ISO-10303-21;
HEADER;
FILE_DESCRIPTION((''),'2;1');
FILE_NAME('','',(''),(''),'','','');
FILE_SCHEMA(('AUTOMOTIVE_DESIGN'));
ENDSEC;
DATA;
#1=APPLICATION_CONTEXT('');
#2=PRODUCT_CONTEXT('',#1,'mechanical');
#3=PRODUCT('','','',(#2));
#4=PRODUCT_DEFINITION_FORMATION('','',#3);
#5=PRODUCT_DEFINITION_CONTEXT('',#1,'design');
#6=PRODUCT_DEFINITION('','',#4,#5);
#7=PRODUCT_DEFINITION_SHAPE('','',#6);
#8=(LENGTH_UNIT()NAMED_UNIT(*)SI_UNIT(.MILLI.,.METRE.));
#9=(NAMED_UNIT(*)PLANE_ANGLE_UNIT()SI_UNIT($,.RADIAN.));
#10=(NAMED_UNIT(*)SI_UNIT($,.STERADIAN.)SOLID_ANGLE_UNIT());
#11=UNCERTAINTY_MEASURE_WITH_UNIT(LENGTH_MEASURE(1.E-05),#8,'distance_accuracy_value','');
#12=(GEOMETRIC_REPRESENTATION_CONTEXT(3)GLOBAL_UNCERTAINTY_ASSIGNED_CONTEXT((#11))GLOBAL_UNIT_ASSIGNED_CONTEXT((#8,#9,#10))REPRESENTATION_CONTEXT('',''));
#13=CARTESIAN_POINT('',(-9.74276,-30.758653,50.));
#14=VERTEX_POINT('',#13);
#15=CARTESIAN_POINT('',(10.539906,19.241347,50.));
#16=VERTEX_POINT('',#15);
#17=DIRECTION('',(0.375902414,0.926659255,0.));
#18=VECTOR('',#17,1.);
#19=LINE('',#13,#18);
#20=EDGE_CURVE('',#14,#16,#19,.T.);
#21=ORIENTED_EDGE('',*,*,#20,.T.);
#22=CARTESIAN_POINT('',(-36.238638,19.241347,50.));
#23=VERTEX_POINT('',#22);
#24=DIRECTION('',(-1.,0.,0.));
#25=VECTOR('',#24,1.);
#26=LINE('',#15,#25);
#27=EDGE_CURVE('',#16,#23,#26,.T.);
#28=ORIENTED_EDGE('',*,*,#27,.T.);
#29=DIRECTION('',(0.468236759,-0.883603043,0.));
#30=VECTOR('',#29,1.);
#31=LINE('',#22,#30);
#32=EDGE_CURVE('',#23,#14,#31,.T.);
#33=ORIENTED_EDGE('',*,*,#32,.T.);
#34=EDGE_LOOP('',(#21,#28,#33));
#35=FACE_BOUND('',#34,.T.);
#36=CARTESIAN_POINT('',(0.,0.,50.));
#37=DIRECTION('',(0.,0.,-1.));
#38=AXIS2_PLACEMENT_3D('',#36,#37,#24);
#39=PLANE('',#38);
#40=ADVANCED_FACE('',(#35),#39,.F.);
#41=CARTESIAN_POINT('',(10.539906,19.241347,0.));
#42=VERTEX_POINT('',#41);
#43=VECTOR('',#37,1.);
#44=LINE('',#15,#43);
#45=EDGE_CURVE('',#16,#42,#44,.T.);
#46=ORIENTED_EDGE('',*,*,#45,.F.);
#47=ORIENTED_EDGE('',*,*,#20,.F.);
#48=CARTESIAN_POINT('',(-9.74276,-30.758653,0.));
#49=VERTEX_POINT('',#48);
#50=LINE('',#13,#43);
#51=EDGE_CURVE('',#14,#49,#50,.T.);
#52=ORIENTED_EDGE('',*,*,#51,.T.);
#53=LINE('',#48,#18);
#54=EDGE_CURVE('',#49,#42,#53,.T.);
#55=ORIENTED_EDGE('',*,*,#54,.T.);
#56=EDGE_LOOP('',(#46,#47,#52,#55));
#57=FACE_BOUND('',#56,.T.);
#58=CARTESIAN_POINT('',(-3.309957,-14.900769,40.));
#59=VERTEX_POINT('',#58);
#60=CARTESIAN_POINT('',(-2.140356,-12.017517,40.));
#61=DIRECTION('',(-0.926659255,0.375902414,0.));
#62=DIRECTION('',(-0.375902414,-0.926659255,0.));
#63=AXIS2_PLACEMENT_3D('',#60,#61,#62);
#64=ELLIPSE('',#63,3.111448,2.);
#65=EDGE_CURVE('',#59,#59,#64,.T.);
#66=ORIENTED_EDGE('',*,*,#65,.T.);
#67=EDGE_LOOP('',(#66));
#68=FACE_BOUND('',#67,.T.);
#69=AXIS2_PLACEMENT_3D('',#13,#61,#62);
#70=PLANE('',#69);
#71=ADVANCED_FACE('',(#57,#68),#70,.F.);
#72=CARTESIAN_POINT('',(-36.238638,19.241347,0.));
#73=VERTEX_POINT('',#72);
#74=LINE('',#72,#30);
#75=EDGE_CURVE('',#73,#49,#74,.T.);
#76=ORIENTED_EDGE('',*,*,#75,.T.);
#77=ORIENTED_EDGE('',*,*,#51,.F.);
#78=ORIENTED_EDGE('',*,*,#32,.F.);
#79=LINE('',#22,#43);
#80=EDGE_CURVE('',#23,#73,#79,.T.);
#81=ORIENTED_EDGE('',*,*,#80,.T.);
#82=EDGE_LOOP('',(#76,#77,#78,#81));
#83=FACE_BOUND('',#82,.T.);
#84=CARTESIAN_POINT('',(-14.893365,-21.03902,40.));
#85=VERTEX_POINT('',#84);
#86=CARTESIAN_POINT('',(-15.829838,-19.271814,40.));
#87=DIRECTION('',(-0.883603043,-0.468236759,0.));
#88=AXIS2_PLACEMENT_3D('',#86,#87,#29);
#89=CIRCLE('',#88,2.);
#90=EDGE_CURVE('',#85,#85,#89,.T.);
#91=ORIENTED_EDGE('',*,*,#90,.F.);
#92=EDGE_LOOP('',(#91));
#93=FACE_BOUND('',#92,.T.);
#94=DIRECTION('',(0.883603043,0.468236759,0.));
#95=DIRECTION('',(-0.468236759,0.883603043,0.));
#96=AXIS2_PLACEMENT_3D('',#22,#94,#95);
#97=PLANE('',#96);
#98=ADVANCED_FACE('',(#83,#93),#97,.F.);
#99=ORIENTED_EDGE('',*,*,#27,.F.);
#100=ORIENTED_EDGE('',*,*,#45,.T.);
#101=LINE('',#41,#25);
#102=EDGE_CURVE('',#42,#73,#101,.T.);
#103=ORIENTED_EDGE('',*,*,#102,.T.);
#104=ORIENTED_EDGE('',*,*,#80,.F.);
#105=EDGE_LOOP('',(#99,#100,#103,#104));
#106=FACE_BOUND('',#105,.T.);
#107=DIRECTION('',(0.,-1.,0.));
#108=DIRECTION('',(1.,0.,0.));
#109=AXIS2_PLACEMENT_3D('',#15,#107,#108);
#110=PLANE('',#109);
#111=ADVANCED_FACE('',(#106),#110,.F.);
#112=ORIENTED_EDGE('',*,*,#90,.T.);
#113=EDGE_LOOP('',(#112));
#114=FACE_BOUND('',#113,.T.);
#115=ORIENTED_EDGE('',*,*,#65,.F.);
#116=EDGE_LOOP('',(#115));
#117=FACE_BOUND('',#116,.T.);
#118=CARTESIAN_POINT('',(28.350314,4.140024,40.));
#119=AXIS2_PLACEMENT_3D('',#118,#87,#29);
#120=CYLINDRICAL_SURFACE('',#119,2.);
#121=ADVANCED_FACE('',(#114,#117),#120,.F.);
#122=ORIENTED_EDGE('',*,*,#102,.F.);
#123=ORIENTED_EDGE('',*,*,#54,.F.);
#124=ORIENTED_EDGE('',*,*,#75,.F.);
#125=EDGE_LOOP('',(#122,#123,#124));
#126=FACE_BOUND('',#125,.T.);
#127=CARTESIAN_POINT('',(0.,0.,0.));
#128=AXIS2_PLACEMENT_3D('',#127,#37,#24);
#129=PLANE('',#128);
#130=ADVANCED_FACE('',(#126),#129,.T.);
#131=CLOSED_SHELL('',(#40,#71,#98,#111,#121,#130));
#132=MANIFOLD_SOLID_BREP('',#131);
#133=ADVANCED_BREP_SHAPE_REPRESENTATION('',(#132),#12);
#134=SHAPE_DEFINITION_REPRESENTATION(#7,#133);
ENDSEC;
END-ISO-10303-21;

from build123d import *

# Parameters (mm, degrees)
BOSS_EXTRUDE1_DEPTH = 50
SKETCH2_R           = 2
CUT_EXTRUDE1_DEPTH  = 50


with BuildPart() as part:
    # Sketch1 → Boss-Extrude1 (new body)
    with BuildSketch(Plane.XY):
        Polygon((-36.238637744, 19.241346543), (-9.742760301, -30.758653457), (10.539906282, 19.241346543), align=None)
    extrude(amount=BOSS_EXTRUDE1_DEPTH)

    # Sketch2 → Cut-Extrude1 (cut)
    with BuildSketch(Plane(origin=(-20.332646925, -10.77462642, 0), x_dir=(0, 0, 1), z_dir=(-0.8836030430860087, -0.46823675875474063, 0))):
        with Locations(Location((40, -9.616521291, 0), (0, 0, 270))):
            Circle(SKETCH2_R)
    extrude(amount=-CUT_EXTRUDE1_DEPTH, mode=Mode.SUBTRACT)


solid = part.part
